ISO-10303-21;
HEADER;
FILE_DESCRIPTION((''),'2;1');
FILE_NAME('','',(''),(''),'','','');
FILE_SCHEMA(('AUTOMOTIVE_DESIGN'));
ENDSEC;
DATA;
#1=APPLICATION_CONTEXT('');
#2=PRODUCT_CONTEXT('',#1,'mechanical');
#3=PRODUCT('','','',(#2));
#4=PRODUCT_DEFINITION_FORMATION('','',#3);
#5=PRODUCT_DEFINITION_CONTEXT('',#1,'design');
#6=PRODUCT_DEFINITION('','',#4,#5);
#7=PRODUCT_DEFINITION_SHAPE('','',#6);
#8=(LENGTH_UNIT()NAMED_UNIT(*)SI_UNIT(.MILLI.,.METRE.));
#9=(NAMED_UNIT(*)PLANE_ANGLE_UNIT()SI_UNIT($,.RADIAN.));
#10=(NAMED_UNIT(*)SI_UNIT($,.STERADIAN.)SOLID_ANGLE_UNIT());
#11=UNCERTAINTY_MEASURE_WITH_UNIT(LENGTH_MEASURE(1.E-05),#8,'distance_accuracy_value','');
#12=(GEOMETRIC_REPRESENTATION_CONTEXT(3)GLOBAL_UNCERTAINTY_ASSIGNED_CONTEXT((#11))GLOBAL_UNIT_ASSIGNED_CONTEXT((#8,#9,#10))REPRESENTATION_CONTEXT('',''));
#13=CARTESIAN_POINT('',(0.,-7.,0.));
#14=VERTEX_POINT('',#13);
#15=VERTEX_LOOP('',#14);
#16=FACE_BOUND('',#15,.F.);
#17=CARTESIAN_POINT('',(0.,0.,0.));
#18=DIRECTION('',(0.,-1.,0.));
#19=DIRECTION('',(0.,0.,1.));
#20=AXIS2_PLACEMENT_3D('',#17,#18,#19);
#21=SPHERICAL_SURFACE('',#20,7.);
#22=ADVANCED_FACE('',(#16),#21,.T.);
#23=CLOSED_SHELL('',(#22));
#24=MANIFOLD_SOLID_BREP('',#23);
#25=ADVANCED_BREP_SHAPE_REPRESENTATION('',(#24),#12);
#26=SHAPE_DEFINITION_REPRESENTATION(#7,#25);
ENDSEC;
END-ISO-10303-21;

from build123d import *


with BuildPart() as part:
    # Sketch2 → Revolve1 (revolve)
    with BuildSketch(Plane(origin=(0, 0, 0), x_dir=(0, 0, -1), z_dir=(1, 0, 0))):
        with BuildLine():
            Line((0, -7), (0, 7))
            ThreePointArc((0, 7), (-7, 0), (0, -7))
        make_face()
    revolve(axis=Axis((0, -7, 0), (0, 1, 0)))


solid = part.part
